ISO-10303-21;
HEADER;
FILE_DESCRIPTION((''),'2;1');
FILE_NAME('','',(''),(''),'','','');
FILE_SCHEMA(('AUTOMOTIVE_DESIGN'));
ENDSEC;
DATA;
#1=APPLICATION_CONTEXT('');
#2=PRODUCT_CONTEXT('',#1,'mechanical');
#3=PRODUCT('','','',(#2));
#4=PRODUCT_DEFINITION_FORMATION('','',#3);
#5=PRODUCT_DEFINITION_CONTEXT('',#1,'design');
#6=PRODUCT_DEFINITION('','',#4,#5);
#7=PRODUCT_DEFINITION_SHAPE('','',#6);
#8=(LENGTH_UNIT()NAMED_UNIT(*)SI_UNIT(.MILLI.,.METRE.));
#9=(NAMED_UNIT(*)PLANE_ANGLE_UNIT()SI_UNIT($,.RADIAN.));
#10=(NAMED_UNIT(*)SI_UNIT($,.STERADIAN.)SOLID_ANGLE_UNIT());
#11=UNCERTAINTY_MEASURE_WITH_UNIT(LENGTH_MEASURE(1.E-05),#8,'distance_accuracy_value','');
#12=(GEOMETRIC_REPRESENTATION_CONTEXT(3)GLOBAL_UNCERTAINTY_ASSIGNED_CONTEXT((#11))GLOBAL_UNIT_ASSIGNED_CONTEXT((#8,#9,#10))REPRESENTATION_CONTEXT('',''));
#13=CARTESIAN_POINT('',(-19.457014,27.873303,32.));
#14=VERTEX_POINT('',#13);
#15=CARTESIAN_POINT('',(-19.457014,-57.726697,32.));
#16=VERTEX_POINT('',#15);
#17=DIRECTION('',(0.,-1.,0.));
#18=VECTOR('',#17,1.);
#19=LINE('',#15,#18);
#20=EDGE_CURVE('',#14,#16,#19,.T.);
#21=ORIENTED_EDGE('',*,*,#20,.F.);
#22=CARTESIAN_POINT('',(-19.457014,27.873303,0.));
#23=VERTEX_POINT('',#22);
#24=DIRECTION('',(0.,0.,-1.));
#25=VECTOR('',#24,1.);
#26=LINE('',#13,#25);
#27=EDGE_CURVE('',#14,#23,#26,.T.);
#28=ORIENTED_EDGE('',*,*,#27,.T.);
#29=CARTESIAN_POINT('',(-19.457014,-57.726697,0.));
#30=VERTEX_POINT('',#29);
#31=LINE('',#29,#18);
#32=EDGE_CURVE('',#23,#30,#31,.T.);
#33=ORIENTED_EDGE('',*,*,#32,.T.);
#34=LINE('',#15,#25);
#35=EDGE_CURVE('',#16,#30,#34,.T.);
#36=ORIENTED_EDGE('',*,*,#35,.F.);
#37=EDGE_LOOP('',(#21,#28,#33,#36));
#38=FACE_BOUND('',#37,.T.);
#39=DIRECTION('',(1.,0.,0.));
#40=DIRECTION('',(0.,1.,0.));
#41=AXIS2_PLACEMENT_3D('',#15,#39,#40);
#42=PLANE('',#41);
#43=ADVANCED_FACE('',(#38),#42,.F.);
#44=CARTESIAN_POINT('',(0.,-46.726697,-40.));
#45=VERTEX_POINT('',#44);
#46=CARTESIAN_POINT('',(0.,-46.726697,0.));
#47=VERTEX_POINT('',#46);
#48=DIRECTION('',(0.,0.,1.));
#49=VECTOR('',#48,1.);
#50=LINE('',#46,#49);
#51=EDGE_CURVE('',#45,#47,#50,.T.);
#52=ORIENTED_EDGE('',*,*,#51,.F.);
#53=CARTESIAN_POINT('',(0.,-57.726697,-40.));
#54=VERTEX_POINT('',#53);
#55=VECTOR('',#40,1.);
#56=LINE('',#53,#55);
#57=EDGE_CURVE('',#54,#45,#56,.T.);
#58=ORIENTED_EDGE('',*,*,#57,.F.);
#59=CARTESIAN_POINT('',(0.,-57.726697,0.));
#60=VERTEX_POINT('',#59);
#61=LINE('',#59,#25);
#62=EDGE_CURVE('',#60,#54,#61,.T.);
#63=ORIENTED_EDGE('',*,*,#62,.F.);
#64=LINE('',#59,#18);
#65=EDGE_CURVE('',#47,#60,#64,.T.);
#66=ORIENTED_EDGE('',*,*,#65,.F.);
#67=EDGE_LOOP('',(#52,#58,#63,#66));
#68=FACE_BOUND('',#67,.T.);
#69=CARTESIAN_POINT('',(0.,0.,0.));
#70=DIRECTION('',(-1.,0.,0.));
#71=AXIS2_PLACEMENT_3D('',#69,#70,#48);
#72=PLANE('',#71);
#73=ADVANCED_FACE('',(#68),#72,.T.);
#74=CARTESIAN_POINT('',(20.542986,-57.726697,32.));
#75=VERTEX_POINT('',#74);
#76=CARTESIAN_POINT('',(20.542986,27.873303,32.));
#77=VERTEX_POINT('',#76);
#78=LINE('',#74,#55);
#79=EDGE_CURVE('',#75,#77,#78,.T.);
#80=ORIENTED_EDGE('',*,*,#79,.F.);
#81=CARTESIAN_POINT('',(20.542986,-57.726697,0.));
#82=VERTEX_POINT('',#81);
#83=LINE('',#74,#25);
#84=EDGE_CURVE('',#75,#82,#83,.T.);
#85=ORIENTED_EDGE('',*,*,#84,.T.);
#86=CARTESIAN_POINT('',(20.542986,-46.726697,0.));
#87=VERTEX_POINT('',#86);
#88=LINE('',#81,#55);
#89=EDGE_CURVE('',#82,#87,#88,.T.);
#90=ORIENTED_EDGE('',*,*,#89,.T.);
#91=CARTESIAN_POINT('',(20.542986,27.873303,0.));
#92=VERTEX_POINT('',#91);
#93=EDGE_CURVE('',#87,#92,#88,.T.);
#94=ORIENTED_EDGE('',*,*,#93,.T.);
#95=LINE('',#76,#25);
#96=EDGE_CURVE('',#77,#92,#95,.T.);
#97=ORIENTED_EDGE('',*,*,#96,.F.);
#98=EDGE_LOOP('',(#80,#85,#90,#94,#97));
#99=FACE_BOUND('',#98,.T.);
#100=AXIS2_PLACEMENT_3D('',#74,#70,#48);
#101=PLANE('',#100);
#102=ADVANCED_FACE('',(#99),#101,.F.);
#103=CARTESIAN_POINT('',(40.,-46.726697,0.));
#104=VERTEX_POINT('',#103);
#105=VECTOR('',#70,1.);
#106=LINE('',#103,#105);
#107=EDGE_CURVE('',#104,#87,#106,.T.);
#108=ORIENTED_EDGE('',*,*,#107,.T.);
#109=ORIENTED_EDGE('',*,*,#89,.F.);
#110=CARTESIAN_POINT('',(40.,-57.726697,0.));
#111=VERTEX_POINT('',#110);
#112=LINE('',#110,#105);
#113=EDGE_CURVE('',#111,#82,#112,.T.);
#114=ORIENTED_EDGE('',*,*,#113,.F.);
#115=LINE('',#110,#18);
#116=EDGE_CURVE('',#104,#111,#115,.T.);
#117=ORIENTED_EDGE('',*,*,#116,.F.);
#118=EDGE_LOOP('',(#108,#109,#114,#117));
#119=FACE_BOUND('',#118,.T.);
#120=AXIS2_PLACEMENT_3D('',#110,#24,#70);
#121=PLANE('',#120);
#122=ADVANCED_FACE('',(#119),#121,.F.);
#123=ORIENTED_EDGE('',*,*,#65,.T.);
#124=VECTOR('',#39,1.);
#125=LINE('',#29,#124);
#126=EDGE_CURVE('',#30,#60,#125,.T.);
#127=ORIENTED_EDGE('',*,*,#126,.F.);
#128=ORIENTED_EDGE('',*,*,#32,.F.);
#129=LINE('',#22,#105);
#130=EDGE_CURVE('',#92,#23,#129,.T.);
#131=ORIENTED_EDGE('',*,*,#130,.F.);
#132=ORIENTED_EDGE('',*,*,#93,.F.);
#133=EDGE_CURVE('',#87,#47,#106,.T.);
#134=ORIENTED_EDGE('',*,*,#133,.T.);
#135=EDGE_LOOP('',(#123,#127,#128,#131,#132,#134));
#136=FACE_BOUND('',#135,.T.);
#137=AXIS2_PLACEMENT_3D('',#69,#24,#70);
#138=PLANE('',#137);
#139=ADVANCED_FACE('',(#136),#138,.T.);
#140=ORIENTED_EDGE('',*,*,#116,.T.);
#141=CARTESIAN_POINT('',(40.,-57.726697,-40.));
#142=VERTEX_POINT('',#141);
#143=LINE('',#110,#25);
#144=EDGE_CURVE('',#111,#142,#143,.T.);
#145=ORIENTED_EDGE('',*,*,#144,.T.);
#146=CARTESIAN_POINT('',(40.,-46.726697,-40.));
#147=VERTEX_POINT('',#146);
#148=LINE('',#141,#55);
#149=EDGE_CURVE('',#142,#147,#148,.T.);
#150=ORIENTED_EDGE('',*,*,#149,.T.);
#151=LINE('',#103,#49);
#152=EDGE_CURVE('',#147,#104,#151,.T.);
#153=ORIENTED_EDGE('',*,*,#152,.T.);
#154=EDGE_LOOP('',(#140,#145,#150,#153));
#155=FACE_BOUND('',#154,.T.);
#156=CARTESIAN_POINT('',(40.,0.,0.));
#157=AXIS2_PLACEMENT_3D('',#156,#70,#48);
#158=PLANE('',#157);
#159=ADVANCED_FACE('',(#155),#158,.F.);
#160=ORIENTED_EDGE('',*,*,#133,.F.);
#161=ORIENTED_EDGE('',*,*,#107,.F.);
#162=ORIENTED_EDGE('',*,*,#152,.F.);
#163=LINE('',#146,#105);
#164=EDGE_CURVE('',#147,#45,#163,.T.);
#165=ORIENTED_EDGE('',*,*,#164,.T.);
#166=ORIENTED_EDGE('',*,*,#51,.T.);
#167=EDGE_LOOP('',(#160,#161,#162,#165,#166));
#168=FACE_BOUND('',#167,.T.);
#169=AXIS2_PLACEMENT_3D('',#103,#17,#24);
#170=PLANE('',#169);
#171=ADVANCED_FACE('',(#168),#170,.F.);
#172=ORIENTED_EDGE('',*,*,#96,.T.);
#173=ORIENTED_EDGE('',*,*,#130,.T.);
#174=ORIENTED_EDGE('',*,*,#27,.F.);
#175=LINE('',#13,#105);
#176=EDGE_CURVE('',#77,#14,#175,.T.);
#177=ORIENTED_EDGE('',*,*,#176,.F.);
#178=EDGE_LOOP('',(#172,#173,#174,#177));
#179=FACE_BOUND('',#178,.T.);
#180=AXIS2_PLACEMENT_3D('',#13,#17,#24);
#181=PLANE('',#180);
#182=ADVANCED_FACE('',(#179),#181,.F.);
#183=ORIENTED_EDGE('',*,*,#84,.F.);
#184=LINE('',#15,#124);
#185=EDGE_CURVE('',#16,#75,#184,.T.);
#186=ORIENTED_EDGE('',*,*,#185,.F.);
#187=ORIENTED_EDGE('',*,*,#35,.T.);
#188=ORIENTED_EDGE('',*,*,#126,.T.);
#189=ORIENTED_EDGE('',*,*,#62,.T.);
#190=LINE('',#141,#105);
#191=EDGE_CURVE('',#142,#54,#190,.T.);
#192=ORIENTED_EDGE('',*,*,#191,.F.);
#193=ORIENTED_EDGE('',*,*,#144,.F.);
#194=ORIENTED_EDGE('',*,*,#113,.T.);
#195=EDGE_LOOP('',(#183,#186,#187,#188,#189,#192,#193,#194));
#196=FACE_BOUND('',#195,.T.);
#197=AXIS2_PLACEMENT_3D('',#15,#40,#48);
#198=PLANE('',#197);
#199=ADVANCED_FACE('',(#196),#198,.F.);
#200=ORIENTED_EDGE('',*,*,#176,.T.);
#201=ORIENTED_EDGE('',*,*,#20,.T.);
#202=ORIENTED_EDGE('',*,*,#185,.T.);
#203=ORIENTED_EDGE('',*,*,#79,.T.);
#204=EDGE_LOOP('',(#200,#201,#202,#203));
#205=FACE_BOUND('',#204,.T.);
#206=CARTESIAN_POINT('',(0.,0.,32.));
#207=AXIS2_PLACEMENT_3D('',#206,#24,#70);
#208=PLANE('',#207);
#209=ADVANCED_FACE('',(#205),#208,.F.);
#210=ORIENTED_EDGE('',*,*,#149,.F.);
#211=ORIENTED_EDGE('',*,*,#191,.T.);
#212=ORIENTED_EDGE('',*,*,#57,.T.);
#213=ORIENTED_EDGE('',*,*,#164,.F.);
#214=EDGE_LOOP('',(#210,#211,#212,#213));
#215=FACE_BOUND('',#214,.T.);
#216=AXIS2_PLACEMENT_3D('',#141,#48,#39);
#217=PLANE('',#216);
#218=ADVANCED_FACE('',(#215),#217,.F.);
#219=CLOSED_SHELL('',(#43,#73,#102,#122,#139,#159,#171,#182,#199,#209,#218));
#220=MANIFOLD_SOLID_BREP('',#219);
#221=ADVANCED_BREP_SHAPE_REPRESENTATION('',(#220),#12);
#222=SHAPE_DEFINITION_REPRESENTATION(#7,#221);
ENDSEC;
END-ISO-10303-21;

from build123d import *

# Parameters (mm, degrees)
SKETCH1_W           = 40
SKETCH1_H           = 85.6
BOSS_EXTRUDE1_DEPTH = 32
SKETCH4_W           = 40
SKETCH4_H           = 11
BOSS_EXTRUDE2_DEPTH = 40


with BuildPart() as part:
    # Sketch1 → Boss-Extrude1 (new body)
    with BuildSketch(Plane.XY):
        with Locations((0.542986425, -14.926696833)):
            Rectangle(SKETCH1_W, SKETCH1_H)
    extrude(amount=BOSS_EXTRUDE1_DEPTH)

    # Sketch4 → Boss-Extrude2 (add)
    with BuildSketch(Plane(origin=(0, 0, 0), x_dir=(0, 0, -1), z_dir=(1, 0, 0))):
        with Locations((20, -52.226696833)):
            Rectangle(SKETCH4_W, SKETCH4_H)
    extrude(amount=BOSS_EXTRUDE2_DEPTH)


solid = part.part
